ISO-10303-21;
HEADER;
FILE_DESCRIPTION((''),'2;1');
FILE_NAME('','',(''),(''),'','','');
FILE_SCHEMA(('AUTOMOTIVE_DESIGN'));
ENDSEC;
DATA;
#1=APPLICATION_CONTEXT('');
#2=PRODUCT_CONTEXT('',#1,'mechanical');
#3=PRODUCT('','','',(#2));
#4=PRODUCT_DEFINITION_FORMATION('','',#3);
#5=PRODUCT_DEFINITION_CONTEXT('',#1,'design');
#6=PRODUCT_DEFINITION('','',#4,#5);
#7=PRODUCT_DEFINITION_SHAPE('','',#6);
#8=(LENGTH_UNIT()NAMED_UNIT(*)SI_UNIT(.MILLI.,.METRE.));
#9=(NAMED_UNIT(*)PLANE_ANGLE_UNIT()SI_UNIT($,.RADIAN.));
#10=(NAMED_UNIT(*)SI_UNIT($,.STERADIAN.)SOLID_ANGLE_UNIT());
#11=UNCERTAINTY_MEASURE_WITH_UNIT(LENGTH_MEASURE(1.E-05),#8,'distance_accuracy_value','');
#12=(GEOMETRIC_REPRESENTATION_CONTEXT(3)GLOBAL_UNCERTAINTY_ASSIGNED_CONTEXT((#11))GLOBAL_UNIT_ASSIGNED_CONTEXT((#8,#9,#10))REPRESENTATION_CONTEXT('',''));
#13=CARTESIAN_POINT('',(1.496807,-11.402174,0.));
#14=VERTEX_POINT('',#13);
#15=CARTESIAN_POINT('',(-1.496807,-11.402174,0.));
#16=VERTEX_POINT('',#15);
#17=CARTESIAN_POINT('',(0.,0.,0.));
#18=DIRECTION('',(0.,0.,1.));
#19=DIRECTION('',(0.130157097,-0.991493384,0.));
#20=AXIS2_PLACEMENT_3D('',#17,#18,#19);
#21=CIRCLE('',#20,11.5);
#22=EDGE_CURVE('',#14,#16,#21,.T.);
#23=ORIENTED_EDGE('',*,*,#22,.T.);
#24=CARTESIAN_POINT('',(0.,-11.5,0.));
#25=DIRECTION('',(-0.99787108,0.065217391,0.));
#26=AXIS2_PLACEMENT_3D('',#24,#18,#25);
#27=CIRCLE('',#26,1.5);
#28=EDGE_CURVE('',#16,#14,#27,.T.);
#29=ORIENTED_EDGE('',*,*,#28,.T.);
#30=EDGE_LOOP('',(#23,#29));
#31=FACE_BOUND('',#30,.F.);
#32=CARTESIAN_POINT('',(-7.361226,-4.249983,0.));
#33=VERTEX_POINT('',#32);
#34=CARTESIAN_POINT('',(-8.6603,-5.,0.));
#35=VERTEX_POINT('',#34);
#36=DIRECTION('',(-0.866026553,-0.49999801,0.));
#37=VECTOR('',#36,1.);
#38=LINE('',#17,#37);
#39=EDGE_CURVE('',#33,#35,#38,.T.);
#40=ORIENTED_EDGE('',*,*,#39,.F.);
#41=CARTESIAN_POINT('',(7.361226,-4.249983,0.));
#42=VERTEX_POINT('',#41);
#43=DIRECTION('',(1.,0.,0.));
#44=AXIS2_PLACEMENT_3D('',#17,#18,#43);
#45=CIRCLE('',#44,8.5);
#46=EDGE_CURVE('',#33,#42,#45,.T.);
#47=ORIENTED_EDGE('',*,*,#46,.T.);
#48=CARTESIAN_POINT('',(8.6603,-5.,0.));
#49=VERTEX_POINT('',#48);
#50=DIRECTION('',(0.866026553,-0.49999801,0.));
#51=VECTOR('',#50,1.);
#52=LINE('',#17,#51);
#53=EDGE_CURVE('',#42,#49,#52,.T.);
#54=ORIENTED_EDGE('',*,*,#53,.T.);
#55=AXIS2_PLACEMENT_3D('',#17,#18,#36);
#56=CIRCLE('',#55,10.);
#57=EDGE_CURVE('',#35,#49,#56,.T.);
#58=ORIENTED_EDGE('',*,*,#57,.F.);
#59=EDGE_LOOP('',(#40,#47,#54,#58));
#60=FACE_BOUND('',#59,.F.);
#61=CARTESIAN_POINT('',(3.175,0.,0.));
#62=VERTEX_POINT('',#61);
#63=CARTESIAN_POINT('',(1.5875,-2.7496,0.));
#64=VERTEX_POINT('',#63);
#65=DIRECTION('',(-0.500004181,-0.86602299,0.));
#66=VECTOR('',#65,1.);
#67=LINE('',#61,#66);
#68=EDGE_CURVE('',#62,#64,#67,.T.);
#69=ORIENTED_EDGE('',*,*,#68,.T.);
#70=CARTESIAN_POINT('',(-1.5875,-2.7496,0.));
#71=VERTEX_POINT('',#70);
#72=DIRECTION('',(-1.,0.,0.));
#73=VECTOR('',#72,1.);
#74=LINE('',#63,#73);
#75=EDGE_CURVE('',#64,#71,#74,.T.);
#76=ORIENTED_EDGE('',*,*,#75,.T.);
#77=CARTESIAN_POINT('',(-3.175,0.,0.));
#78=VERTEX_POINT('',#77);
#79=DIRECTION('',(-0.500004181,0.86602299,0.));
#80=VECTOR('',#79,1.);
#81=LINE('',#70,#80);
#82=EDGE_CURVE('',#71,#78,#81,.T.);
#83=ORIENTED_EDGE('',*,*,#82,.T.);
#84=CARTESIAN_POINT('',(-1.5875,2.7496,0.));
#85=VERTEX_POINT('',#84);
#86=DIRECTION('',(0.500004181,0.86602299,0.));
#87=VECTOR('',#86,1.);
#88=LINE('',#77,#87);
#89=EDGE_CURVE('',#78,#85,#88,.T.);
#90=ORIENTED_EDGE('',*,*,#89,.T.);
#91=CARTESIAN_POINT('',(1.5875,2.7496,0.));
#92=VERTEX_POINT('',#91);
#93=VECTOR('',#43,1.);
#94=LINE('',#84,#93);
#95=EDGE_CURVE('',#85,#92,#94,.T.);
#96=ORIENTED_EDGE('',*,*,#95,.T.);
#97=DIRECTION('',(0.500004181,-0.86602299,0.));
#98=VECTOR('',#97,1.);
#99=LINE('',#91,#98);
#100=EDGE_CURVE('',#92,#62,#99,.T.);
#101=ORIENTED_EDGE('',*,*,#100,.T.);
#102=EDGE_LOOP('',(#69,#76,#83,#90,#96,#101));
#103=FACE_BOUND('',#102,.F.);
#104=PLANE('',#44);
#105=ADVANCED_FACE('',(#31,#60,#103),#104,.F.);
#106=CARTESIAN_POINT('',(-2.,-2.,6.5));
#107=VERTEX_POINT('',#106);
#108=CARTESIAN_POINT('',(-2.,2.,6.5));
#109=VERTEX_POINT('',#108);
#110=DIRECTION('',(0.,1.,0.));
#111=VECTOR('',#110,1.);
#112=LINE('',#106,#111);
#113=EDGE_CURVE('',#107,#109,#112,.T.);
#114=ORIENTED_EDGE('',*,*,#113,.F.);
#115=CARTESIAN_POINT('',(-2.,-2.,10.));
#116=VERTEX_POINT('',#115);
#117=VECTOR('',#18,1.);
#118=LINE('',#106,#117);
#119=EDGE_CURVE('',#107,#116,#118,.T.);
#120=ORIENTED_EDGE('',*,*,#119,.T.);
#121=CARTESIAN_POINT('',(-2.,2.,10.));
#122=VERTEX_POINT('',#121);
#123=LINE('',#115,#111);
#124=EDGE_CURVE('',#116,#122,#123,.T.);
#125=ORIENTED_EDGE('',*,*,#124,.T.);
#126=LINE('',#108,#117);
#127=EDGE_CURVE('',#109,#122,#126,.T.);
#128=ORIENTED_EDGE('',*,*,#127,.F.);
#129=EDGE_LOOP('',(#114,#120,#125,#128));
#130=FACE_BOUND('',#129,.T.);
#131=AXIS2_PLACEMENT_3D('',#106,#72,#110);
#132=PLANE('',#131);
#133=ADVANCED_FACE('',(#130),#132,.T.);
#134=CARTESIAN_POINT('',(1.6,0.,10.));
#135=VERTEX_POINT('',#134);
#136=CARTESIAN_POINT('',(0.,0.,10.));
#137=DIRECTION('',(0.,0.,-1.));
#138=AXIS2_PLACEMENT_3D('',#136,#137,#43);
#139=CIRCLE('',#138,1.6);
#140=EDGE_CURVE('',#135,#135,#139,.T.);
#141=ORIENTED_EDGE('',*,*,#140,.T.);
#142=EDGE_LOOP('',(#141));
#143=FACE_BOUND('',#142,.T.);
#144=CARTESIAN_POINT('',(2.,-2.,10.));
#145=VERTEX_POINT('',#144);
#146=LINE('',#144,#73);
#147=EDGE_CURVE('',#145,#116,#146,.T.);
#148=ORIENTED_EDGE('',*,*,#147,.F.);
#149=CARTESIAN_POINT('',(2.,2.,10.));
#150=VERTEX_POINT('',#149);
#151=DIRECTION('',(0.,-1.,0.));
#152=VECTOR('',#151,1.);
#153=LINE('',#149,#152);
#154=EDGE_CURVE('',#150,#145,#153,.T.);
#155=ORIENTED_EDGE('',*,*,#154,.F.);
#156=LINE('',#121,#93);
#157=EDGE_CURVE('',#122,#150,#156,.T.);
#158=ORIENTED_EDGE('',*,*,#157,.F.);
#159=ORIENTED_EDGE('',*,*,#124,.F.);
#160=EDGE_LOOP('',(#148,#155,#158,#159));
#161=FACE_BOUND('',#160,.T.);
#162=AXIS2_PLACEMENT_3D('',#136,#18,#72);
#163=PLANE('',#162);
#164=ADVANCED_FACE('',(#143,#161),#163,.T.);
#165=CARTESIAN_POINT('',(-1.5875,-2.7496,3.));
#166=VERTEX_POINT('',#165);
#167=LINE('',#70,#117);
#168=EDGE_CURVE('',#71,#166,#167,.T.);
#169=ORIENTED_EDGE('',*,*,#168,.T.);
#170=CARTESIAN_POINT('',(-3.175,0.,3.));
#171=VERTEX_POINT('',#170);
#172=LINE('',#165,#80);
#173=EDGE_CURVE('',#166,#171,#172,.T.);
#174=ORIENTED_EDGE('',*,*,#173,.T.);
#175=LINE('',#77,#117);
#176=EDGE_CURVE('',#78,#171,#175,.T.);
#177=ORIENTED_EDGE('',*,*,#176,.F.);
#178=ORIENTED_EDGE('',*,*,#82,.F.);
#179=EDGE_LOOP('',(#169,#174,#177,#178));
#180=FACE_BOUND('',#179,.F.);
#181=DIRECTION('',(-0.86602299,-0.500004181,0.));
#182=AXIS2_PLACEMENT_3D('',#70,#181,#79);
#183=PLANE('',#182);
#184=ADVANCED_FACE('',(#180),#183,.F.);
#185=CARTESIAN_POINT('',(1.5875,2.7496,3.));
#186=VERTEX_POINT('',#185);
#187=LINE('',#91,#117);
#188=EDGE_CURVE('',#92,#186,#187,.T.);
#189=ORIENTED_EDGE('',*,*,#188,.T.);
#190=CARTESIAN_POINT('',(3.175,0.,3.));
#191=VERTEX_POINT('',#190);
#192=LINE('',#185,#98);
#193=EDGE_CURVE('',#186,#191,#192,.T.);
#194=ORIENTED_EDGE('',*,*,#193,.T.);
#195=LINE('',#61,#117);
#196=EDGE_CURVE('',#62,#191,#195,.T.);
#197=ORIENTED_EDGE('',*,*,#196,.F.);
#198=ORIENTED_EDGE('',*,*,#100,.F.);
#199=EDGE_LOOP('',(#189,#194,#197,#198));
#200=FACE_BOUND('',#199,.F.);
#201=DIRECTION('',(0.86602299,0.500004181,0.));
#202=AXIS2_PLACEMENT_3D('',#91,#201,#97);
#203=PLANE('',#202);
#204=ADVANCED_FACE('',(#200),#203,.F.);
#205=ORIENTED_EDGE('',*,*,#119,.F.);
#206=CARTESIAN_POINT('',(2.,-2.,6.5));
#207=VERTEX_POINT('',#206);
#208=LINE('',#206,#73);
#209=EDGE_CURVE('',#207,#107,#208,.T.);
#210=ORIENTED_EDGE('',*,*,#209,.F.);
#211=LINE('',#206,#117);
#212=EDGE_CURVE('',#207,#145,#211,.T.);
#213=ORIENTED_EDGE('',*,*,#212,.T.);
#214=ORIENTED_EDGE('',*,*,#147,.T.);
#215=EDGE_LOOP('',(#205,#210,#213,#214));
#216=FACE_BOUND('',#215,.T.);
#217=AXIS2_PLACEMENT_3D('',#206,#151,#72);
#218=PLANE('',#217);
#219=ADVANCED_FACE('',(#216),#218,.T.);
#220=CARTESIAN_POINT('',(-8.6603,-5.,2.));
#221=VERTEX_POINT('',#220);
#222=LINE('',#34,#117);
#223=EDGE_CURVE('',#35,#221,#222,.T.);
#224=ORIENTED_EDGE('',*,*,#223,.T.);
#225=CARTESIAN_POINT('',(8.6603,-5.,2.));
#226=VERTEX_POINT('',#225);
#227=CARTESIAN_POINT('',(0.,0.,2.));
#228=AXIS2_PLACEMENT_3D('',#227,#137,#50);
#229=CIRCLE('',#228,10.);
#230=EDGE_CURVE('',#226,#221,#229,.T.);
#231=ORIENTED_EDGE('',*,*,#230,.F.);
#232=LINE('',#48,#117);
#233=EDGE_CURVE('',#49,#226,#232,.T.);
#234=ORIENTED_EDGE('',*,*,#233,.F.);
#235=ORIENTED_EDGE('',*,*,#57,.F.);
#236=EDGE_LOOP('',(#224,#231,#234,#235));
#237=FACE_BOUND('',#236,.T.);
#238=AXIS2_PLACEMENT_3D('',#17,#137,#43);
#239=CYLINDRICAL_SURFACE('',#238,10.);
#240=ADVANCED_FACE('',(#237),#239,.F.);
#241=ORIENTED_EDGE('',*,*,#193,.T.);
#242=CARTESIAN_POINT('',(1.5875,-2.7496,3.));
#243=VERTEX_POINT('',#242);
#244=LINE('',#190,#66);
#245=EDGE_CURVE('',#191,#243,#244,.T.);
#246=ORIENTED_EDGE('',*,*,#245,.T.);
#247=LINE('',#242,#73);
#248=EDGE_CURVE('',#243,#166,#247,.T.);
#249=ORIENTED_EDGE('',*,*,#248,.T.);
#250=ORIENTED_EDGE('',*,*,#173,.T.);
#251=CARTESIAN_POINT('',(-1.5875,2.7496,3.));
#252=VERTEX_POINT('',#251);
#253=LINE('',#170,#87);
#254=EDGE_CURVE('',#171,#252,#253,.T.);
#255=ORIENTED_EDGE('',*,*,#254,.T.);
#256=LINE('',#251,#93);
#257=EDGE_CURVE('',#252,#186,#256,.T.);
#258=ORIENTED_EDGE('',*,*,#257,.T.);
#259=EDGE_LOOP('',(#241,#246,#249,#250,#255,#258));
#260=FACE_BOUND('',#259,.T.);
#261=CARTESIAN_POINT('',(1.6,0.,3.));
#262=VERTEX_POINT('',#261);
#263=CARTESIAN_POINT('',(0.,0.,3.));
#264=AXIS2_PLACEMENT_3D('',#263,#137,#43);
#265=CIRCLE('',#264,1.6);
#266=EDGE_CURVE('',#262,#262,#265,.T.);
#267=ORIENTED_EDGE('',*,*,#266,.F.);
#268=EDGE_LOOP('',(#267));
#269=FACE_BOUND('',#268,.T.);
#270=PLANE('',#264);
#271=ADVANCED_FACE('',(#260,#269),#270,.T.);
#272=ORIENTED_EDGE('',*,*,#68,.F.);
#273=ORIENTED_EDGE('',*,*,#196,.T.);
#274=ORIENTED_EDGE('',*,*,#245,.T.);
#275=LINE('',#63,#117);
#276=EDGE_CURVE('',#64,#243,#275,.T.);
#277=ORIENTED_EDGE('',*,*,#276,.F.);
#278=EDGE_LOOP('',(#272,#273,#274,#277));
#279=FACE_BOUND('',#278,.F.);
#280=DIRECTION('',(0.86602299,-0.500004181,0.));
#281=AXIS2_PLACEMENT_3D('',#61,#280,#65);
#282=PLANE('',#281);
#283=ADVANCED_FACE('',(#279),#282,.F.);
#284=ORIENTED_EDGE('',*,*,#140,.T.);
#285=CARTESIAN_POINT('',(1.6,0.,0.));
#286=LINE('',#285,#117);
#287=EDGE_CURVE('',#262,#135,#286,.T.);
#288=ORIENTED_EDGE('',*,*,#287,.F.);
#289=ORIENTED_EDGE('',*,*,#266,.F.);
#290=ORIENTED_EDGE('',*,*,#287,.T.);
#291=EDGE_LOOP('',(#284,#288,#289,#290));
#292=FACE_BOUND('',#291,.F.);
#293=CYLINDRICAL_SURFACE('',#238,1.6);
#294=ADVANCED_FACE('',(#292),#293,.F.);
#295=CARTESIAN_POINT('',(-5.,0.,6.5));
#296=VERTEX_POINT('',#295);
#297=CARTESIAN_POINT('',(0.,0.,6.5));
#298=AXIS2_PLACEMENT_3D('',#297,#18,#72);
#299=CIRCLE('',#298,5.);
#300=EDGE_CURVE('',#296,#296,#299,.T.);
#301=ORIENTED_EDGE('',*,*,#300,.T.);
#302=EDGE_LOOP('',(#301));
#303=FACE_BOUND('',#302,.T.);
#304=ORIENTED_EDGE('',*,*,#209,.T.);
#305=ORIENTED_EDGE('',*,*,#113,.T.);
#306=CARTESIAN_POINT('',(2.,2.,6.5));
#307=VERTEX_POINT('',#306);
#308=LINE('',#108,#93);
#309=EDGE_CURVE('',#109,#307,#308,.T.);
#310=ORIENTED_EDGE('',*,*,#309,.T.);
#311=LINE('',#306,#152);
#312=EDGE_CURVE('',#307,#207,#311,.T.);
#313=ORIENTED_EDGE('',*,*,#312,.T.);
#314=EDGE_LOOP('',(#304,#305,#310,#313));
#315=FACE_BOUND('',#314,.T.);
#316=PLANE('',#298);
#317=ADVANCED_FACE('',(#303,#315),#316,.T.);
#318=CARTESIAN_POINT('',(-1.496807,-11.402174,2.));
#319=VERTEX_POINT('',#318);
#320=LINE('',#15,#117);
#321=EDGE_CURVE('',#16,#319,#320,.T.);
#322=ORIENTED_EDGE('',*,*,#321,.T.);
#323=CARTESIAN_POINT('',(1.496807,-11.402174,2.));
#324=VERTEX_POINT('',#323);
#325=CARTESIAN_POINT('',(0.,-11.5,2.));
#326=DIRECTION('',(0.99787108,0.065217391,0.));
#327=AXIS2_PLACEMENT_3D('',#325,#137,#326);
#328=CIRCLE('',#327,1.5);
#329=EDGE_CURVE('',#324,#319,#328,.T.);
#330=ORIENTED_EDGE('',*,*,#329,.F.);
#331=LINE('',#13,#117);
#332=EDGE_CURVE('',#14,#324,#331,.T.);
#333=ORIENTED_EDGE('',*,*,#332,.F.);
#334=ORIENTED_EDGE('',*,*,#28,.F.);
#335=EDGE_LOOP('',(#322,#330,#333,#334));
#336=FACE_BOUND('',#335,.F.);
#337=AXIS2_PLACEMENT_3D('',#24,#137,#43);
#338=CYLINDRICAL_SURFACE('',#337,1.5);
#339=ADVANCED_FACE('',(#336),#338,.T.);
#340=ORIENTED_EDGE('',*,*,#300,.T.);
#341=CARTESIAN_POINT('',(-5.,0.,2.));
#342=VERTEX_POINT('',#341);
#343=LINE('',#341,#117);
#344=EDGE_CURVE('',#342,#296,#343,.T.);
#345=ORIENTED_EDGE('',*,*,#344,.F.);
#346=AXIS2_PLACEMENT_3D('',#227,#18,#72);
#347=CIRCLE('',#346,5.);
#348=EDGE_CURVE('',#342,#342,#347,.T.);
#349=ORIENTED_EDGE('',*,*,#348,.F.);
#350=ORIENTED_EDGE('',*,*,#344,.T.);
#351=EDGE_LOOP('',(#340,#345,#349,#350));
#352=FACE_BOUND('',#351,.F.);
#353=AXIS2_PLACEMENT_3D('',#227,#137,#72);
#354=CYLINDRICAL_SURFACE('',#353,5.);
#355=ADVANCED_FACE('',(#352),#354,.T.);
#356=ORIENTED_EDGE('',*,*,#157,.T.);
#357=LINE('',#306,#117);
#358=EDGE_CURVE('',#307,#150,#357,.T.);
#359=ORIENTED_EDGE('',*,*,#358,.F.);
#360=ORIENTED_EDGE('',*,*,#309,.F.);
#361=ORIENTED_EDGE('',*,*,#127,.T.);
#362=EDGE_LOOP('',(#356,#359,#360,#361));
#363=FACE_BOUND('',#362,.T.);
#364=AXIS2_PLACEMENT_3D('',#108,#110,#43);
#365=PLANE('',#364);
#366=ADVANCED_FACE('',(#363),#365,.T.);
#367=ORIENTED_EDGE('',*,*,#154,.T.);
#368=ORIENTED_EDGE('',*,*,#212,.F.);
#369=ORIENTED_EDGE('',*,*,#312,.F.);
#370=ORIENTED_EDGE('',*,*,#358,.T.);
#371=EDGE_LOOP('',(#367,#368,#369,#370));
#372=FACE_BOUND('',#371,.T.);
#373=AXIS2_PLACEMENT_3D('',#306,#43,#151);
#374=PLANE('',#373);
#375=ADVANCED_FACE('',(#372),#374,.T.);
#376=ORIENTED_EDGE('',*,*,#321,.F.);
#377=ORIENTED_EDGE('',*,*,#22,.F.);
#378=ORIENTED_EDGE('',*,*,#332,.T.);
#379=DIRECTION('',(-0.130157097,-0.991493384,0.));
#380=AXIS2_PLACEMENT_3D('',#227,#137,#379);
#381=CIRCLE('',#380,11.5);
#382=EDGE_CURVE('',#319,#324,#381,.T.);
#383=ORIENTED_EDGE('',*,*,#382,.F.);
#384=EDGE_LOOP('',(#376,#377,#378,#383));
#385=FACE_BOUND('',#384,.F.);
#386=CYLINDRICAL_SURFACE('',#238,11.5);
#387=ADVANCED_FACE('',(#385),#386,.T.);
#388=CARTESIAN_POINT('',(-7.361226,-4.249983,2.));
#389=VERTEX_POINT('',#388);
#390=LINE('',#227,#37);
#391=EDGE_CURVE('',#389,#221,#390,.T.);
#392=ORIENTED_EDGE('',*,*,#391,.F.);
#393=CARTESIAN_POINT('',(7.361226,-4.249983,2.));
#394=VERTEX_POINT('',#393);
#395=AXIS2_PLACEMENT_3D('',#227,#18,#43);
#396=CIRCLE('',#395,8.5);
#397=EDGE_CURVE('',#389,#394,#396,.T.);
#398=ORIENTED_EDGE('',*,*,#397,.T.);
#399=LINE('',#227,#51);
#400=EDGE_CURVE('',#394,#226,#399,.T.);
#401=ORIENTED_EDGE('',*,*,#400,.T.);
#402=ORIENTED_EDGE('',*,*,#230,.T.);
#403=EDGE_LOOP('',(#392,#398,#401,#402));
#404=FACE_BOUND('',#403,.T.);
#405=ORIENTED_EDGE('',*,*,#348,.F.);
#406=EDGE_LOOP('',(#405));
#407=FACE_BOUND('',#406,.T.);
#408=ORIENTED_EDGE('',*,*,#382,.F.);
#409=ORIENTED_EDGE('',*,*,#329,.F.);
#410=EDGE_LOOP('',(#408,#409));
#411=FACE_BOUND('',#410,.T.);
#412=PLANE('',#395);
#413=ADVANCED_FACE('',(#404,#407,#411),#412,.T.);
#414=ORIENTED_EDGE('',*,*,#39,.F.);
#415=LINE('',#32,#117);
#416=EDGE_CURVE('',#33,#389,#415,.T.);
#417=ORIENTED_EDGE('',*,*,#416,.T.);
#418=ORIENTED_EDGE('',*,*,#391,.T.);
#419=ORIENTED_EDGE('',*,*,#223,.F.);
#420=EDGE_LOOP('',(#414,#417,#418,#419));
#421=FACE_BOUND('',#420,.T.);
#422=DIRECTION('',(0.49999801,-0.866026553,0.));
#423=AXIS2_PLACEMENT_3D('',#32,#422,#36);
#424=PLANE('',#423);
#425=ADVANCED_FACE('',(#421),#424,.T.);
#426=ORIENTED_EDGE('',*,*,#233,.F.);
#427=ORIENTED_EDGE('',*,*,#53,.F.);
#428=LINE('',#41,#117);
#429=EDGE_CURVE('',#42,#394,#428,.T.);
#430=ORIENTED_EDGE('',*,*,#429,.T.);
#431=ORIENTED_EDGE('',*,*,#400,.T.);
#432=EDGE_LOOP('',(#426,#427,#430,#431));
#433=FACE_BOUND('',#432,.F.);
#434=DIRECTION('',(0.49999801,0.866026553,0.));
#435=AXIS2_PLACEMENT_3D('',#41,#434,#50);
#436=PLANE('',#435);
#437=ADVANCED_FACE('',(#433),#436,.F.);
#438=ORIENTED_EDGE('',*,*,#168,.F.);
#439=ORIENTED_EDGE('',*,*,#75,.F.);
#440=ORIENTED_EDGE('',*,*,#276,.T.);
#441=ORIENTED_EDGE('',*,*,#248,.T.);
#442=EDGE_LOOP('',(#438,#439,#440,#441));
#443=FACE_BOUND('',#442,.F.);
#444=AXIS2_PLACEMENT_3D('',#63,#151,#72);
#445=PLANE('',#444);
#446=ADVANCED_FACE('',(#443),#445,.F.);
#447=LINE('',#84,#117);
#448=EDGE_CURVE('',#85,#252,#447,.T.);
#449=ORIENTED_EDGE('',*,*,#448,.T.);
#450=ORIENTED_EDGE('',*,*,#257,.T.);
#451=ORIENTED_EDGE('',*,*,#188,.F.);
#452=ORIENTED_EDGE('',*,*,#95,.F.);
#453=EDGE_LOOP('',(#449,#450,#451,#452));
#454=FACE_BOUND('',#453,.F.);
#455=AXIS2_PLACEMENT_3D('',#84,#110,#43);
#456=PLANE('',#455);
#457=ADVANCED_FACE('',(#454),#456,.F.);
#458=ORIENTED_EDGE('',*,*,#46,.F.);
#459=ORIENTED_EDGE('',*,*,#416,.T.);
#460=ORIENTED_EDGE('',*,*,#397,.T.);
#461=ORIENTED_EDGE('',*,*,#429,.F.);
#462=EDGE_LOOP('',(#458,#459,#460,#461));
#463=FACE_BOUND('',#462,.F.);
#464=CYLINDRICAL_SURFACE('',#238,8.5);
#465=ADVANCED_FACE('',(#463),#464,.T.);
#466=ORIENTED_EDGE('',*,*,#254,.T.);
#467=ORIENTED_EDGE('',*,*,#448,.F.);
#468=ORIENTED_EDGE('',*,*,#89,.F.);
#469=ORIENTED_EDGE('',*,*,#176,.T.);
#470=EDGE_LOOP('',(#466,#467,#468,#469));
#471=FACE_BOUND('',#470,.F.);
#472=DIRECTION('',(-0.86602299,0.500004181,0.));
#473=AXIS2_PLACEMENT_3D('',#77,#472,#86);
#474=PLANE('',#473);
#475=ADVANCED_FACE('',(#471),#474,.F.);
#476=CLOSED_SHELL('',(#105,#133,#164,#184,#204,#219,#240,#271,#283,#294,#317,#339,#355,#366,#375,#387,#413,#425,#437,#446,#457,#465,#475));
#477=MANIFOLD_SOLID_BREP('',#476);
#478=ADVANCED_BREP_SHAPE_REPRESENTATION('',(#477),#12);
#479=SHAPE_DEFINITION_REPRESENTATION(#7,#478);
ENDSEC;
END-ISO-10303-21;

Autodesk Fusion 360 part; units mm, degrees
sketch "Sketch1" plane through (0, 0, 0) normal (0, 0, 1) x (1, 0, 0)
  circle A0 centre (0, -11.5) radius 2 construction
  circle A1 centre (0, 0) radius 12 construction
  circle A2 centre (0, -11.5) radius 1.5
  circle A3 centre (0, 0) radius 8.5
  line L0 (0, 0) -> (8.6603, -5)
  circle A4 centre (0, 0) radius 11.5
  line L1 (0, 0) -> (-8.6603, -5)
  circle A5 centre (0, 0) radius 10
  dimension "d4" = 1.5
  dimension "d5" = -1.5
  dimension "d6" = 2
  dimension "d7" = 0.5
  dimension "d8" = 20
  dimension "d9" = 3
extrude "Extrude1" add sketch "Sketch1" along normal blind 2 contours A2 A4 | A2 A4 | A2 A4 | A3 L0 L1 A5 | A3 L0 L1 | A3 L0 L1 picked at (-8.9789, -3.0313)
sketch "Sketch2" plane through (0, 0, 2) normal (0, 0, 1) x (-1, 0, 0)
  arc A0 (7.3612, 4.25) -> (-7.3612, 4.25) centre (0, 0) ccw
  line L0 (-7.3612, 4.25) -> (-8.6603, 5)
  arc A1 (8.6603, 5) -> (-8.6603, 5) centre (0, 0) ccw
  line L1 (8.6603, 5) -> (7.3612, 4.25)
  arc A2 (-1.4968, 11.4022) -> (1.4968, 11.4022) centre (0, 0) ccw
  arc A3 (1.4968, 11.4022) -> (-1.4968, 11.4022) centre (0, 11.5) ccw
  circle A4 centre (0, 0) radius 5
  dimension "d12" = 10
extrude "Extrude2" add sketch "Sketch2" along normal blind 4.5 contours A4
sketch "Sketch3" plane through (0, 0, 6.5) normal (0, 0, 1) x (-1, 0, 0)
  circle A0 centre (0, 0) radius 5
  line L0 (-2, 2) -> (2, 2)
  line L1 (2, 2) -> (2, -2)
  line L2 (2, -2) -> (-2, -2)
  line L3 (-2, -2) -> (-2, 2)
extrude "Extrude3" add sketch "Sketch3" along normal blind 3.5 contours L0 L1 L2 L3
sketch "Sketch4" plane through (0, 0, 0) normal (0, 0, -1) x (1, 0, 0)
  arc A0 (7.3612, 4.25) -> (-7.3612, 4.25) centre (0, 0) ccw
  line L0 (-7.3612, 4.25) -> (-8.6603, 5)
  arc A1 (8.6603, 5) -> (-8.6603, 5) centre (0, 0) ccw
  line L1 (8.6603, 5) -> (7.3612, 4.25)
  arc A2 (-1.4968, 11.4022) -> (1.4968, 11.4022) centre (0, 0) ccw
  arc A3 (1.4968, 11.4022) -> (-1.4968, 11.4022) centre (0, 11.5) ccw
  circle A4 centre (0, 0) radius 1.6
  line L2 (-1.5875, 2.7496) -> (-3.175, 0)
  line L3 (-3.175, 0) -> (-1.5875, -2.7496)
  line L4 (-1.5875, -2.7496) -> (1.5875, -2.7496)
  line L5 (1.5875, -2.7496) -> (3.175, 0)
  line L6 (3.175, 0) -> (1.5875, 2.7496)
  line L7 (1.5875, 2.7496) -> (-1.5875, 2.7496)
  dimension "d17" = 3.2
  dimension "d20" = 3.175
extrude "Extrude4" cut sketch "Sketch4" against normal blind 3 contours L2 L3 L4 L5 L6 L7
extrude "Extrude5" cut 1 faces at (0.5286, -0.5507, 0) along direction (0, 0, 1) blind 10
